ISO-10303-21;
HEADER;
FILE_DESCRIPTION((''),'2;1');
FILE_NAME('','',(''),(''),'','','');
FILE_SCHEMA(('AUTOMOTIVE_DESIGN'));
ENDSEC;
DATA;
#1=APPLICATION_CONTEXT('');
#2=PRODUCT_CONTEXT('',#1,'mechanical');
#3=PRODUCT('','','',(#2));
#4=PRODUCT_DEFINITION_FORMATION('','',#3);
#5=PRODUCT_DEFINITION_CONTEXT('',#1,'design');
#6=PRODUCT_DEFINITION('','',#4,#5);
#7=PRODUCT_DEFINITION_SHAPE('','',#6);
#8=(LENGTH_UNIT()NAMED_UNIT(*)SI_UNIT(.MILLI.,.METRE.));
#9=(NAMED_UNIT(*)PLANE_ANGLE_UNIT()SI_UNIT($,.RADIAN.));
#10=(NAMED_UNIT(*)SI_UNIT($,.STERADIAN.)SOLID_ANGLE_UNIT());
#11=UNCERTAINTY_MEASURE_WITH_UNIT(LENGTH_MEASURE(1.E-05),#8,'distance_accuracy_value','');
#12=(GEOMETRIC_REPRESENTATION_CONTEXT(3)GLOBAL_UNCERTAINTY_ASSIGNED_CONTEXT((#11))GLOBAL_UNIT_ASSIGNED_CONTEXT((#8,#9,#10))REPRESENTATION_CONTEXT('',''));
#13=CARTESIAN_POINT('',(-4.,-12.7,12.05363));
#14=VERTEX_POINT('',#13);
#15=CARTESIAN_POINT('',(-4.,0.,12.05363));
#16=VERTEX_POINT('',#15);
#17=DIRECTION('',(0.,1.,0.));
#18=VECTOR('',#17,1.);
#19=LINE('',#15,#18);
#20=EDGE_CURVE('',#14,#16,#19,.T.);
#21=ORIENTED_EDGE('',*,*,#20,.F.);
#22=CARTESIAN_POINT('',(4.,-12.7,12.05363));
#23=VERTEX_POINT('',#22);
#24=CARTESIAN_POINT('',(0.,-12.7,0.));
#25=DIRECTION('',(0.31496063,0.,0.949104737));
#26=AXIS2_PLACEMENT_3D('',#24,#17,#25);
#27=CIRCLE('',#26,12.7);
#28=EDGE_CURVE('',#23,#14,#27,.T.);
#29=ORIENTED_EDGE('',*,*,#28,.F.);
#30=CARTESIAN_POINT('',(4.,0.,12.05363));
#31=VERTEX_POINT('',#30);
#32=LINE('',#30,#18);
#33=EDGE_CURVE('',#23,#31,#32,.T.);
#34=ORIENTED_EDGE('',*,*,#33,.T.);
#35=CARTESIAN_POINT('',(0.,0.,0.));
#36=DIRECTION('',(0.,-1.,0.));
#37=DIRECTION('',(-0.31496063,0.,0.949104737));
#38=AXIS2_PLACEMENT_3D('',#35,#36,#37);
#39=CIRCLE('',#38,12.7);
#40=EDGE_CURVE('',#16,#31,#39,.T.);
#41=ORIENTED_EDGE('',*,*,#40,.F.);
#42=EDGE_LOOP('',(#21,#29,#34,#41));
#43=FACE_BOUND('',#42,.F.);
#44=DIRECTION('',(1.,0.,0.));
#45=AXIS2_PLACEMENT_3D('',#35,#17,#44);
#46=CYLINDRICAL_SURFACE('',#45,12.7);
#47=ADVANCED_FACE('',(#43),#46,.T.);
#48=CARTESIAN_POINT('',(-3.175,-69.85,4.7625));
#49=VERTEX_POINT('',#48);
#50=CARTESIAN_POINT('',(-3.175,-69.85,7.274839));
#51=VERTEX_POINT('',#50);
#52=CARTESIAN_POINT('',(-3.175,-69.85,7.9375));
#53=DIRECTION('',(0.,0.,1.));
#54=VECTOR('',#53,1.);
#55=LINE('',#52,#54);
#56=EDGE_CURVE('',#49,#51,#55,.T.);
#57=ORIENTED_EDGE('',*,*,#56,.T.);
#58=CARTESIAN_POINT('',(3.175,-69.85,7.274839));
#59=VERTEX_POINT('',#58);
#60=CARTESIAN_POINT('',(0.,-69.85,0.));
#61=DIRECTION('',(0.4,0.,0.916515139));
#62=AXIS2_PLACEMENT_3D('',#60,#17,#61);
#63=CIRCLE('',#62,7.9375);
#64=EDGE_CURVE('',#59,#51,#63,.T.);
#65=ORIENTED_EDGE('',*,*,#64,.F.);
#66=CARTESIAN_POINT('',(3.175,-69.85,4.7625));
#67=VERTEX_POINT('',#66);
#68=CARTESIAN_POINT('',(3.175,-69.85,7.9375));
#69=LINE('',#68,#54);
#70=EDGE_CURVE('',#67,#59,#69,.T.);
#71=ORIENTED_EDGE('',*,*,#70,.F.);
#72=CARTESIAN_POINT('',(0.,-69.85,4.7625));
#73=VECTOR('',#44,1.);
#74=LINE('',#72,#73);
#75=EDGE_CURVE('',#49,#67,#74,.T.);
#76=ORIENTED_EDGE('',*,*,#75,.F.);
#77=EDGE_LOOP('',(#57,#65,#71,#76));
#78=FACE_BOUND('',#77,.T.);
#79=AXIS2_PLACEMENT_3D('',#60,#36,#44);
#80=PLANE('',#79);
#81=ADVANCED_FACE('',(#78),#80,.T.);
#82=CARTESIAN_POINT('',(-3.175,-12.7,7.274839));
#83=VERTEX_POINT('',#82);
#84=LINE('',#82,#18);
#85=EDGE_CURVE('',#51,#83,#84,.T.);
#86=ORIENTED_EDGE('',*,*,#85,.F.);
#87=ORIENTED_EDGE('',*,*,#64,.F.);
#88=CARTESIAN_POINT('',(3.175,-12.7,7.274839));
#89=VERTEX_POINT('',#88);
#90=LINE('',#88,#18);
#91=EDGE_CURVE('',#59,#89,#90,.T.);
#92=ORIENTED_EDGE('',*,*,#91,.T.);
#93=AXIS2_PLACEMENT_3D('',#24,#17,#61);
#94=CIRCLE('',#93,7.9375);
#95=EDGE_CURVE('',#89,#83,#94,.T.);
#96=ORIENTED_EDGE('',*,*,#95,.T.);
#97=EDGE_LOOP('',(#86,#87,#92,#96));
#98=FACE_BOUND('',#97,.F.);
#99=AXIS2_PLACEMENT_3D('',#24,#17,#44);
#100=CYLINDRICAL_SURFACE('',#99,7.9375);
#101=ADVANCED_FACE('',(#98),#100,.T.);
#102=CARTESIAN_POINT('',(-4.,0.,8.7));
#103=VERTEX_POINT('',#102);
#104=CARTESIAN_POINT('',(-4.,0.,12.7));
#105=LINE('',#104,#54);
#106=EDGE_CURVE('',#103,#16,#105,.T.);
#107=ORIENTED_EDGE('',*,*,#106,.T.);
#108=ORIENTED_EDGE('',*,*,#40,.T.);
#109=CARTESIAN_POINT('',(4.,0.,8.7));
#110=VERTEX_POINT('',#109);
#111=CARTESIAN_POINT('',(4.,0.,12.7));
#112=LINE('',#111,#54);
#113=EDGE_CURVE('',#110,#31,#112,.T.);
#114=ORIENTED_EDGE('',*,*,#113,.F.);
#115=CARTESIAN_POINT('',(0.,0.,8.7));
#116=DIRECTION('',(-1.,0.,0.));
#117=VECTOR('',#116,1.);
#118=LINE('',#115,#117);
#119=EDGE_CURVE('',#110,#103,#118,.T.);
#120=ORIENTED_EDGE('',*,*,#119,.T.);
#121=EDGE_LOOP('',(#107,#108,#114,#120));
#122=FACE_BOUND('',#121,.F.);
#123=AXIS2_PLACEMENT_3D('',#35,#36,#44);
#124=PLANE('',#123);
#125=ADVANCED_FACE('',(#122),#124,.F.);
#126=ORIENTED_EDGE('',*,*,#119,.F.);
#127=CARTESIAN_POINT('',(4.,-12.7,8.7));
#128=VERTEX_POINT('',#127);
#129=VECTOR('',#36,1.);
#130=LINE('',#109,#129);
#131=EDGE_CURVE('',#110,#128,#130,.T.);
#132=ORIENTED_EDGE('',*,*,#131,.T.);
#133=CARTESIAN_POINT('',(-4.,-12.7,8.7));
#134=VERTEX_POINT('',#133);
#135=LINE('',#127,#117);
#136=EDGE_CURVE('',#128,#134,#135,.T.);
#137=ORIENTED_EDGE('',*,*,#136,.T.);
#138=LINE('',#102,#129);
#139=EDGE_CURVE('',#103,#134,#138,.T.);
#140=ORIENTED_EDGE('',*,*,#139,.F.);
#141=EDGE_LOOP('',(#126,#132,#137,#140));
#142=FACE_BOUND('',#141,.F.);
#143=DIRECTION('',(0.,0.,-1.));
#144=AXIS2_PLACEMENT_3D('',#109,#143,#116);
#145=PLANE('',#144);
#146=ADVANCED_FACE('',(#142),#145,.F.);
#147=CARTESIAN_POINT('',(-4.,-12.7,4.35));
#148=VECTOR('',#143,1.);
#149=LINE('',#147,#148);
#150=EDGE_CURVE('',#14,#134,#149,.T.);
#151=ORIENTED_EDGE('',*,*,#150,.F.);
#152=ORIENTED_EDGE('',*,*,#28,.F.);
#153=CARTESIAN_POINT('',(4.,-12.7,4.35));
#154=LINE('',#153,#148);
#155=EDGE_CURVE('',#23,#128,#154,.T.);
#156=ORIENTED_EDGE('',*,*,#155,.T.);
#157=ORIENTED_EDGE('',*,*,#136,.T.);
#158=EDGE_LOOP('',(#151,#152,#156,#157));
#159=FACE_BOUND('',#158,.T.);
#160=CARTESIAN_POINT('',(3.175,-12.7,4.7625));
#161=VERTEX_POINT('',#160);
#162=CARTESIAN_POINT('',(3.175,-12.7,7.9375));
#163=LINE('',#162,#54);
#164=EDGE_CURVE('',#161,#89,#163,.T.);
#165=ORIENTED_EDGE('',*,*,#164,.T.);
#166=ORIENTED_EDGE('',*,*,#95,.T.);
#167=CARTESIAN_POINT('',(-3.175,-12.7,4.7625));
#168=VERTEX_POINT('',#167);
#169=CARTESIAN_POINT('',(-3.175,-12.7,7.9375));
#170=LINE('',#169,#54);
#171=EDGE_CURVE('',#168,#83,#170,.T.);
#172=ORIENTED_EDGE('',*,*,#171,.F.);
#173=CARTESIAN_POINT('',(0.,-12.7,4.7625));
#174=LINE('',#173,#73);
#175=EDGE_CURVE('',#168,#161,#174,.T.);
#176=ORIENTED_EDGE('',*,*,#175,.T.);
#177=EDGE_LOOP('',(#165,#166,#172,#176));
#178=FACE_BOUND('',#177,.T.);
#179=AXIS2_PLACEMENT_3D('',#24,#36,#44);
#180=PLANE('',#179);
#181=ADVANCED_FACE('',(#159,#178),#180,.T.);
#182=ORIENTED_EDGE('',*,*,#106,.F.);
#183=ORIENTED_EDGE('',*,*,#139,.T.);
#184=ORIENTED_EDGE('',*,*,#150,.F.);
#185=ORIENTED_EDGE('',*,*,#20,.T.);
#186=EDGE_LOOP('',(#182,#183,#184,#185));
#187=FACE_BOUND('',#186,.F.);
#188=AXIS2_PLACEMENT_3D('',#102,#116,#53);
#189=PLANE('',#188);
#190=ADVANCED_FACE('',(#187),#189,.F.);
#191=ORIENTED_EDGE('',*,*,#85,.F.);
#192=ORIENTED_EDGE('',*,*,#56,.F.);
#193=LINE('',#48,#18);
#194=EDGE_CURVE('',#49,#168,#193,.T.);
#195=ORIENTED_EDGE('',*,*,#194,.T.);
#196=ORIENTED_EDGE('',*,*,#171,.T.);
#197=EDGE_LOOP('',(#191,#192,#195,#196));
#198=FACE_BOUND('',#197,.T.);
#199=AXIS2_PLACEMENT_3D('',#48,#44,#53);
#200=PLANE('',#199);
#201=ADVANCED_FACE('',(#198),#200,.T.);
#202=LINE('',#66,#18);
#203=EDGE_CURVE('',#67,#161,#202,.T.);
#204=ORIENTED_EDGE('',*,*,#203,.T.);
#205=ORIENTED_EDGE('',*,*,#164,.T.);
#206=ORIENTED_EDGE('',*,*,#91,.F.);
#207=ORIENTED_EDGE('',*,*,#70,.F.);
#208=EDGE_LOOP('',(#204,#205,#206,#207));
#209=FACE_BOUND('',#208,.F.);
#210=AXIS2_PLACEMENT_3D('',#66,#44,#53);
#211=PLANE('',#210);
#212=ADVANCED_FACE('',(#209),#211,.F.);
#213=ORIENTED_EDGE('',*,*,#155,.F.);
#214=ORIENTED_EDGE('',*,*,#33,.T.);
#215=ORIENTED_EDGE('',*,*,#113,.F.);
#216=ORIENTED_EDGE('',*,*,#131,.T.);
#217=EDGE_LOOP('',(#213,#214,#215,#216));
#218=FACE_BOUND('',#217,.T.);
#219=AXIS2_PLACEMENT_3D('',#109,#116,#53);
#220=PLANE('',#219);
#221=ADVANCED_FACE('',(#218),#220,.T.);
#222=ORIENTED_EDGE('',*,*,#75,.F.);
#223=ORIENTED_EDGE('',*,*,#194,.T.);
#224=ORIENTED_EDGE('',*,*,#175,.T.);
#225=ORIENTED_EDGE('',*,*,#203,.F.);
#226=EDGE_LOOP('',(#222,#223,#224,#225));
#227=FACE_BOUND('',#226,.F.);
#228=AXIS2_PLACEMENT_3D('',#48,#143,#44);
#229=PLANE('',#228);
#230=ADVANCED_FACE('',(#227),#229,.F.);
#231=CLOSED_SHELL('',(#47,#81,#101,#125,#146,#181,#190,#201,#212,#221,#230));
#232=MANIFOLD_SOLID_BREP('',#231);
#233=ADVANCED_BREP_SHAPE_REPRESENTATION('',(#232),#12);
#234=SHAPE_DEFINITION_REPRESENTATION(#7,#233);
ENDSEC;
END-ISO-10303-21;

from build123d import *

# Parameters (mm, degrees)
F0_R     = 12.7
F1_DEPTH = 12.7
F2_R     = 7.9375
F3_DEPTH = 57.15
F4_W     = 8
F4_H     = 8
F5_DEPTH = 69.851
F6_W     = 6.35
F6_H     = 6.35
F7_DEPTH = 57.15


with BuildPart() as f1:
    # F0 (on Front) → F1 (new body)
    with BuildSketch(Plane.XZ):
        Circle(F0_R)
    extrude(amount=F1_DEPTH)

    # F2 (on face) → F3 (join)
    with BuildSketch(Plane.XZ.offset(12.7)):
        Circle(F2_R)
    extrude(amount=F3_DEPTH)

    # F4 (on face) → F5 (cut, through all)
    with BuildSketch(Plane(origin=(0, 0, 0), x_dir=(-1, 0, 0), z_dir=(0, 1, 0))):
        with Locations((0, 12.7)):
            Rectangle(F4_W, F4_H)
    extrude(amount=-F5_DEPTH, mode=Mode.SUBTRACT)

    # F6 (on face) → F7 (cut)
    with BuildSketch(Plane.XZ.offset(69.85)):
        with Locations((0, 7.9375)):
            Rectangle(F6_W, F6_H)
    extrude(amount=-F7_DEPTH, mode=Mode.SUBTRACT)


solid = f1.part
